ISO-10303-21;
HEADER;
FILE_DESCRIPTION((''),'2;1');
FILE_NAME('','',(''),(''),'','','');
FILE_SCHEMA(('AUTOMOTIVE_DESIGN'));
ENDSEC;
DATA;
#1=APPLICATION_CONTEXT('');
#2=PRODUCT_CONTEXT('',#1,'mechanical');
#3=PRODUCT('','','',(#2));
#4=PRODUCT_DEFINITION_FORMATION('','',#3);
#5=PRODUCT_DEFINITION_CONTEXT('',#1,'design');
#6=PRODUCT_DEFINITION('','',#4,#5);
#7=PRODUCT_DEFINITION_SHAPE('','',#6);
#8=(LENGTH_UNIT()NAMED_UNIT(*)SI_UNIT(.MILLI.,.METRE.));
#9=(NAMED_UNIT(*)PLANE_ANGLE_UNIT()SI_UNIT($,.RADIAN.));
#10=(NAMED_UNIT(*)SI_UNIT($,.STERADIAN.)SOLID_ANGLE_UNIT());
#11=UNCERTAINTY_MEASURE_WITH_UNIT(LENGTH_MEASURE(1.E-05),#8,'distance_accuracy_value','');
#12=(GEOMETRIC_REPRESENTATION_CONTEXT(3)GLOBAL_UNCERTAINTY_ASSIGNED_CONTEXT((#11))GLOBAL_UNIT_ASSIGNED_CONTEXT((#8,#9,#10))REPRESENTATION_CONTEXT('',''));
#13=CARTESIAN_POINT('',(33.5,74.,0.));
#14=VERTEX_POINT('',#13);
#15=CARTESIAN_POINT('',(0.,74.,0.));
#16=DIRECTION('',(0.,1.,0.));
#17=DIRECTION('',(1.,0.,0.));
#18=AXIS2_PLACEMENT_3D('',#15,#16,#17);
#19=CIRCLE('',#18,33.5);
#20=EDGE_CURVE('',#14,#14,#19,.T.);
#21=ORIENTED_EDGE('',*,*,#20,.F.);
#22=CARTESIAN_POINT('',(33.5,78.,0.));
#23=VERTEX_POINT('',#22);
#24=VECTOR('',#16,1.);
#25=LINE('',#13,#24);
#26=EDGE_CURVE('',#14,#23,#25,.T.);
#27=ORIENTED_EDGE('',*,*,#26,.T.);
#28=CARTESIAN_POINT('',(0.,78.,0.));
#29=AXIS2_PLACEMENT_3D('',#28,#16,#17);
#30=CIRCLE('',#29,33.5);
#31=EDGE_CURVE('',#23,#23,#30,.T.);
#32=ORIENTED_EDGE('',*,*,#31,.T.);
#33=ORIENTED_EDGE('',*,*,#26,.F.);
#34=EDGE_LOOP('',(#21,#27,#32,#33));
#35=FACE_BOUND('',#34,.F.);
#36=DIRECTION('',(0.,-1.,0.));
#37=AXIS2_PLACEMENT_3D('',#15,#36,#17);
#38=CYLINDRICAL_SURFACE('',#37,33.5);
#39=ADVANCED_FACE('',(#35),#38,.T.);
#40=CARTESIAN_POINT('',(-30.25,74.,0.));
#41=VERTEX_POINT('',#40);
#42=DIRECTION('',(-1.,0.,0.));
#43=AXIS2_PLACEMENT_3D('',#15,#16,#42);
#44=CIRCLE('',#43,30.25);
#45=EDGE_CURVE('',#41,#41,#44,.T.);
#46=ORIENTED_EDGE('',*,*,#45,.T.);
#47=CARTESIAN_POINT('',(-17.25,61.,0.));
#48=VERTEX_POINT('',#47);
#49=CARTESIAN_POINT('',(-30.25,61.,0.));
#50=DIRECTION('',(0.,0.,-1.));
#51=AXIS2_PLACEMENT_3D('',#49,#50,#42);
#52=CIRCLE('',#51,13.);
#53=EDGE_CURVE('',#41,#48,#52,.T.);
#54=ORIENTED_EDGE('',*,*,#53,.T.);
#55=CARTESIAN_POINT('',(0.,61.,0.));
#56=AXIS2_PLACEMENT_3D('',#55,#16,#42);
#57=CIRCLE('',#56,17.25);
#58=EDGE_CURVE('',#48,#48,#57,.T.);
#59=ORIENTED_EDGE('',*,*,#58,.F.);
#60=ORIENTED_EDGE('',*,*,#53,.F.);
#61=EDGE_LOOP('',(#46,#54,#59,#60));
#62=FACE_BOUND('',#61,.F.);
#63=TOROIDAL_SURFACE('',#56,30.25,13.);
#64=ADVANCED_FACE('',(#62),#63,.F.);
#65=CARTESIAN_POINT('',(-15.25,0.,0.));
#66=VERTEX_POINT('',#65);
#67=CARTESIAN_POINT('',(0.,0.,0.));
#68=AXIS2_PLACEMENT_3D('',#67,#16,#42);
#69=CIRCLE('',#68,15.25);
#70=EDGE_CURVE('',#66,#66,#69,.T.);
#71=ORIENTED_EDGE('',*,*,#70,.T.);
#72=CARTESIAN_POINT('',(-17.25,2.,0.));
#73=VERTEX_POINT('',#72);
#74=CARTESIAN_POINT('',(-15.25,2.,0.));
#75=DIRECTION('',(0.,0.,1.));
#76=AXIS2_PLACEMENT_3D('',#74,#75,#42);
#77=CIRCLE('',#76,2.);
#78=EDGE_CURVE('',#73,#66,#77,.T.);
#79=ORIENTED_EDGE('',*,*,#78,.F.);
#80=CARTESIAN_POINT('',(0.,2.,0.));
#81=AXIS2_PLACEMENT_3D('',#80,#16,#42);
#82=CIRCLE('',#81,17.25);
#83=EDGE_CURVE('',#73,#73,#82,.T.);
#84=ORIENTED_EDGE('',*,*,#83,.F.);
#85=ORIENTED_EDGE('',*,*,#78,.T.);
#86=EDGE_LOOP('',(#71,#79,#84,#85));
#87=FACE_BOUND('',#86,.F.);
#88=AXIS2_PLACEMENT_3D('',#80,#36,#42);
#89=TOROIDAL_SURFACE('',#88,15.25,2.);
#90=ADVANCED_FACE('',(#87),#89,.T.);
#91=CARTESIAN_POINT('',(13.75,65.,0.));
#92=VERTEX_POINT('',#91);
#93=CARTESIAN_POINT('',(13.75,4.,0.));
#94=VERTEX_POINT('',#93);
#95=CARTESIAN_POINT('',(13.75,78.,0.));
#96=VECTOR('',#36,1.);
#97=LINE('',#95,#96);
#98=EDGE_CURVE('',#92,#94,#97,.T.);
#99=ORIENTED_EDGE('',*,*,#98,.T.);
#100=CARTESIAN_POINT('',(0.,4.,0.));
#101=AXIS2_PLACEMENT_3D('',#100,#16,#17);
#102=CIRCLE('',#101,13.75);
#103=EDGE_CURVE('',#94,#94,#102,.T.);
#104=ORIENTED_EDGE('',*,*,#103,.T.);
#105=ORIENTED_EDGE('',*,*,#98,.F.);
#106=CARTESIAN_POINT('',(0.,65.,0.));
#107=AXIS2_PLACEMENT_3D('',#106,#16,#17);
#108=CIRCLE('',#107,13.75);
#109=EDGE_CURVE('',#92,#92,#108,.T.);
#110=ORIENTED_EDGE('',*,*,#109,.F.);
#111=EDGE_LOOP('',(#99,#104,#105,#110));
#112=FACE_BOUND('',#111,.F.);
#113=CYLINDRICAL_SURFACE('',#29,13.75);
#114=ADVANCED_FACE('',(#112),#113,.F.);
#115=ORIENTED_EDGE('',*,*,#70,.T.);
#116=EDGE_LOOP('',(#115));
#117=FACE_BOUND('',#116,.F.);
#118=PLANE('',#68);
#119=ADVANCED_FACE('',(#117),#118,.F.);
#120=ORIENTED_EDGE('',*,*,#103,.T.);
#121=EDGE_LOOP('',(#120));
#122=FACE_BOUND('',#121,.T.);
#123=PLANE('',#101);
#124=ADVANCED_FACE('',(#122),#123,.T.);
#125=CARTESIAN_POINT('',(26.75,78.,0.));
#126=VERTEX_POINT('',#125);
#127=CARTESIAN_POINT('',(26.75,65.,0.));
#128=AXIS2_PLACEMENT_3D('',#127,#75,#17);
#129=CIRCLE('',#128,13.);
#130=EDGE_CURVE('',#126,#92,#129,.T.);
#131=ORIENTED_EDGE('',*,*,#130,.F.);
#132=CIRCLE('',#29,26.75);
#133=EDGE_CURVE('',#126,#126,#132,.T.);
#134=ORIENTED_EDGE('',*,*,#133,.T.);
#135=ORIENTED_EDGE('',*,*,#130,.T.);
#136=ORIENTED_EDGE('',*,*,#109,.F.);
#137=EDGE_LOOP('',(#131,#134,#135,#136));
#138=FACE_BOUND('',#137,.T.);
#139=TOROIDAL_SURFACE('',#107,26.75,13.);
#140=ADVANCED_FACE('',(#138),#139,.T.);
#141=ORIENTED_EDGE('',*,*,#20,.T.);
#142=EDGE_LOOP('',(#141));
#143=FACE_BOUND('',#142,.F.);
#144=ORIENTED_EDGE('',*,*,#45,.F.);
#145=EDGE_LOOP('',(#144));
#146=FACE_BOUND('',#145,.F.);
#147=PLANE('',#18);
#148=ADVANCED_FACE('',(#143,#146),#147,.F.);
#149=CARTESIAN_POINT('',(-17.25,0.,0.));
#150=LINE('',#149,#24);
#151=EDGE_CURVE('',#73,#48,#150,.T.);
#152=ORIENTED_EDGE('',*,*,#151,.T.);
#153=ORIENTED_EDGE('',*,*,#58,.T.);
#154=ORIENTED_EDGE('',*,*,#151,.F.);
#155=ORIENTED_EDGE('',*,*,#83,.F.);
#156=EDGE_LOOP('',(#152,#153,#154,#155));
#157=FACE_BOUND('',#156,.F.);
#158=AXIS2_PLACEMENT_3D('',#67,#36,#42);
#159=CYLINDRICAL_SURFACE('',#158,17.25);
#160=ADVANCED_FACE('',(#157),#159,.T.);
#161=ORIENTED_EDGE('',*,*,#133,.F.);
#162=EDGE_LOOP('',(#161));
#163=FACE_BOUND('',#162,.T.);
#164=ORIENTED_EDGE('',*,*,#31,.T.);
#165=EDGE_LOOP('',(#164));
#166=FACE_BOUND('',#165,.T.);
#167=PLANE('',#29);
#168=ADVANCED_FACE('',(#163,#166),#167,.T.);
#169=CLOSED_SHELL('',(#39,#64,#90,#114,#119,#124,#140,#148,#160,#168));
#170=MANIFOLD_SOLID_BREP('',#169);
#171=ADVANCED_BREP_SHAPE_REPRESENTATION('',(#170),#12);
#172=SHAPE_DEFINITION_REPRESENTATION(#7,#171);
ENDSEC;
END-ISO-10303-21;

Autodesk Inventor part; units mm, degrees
ref_plane "YZ Plane" through (0, 0, 0) normal (1, 0, 0) x (0, 1, 0)
ref_plane "XZ Plane" through (0, 0, 0) normal (0, 1, 0) x (-1, 0, 0)
ref_plane "XY Plane" through (0, 0, 0) normal (0, 0, 1) x (1, 0, 0)
sketch "Sketch1" plane through (0, 0, 0) normal (0, 1, 0) x (-1, 0, 0)
  circle A0 centre (0, 0) radius 17.25
  dimension "d0" = 34.5
extrude "Extrusion1" add sketch "Sketch1" along normal blind 74
sketch "Sketch2" plane through (0, 74, 0) normal (0, 1, 0) x (1, 0, 0)
  circle A0 centre (0, 0) radius 33.5
  dimension "d3" = 67
extrude "Extrusion2" add sketch "Sketch2" along normal blind 4
fillet "Fillet1" radius 13 1 edges at (17.25, 74, 0)
sketch "Sketch3" plane through (0, 78, 0) normal (0, 1, 0) x (1, 0, 0)
  circle A0 centre (0, 0) radius 13.75
  dimension "d8" = 27.5
extrude "Extrusion3" cut sketch "Sketch3" against normal blind 74
fillet "Fillet2" radius 13 1 edges at (-13.75, 78, 0)
fillet "Fillet3" radius 2 1 edges at (17.25, 0, 0)
properties part number "Juice_Extractor_Pusher"
